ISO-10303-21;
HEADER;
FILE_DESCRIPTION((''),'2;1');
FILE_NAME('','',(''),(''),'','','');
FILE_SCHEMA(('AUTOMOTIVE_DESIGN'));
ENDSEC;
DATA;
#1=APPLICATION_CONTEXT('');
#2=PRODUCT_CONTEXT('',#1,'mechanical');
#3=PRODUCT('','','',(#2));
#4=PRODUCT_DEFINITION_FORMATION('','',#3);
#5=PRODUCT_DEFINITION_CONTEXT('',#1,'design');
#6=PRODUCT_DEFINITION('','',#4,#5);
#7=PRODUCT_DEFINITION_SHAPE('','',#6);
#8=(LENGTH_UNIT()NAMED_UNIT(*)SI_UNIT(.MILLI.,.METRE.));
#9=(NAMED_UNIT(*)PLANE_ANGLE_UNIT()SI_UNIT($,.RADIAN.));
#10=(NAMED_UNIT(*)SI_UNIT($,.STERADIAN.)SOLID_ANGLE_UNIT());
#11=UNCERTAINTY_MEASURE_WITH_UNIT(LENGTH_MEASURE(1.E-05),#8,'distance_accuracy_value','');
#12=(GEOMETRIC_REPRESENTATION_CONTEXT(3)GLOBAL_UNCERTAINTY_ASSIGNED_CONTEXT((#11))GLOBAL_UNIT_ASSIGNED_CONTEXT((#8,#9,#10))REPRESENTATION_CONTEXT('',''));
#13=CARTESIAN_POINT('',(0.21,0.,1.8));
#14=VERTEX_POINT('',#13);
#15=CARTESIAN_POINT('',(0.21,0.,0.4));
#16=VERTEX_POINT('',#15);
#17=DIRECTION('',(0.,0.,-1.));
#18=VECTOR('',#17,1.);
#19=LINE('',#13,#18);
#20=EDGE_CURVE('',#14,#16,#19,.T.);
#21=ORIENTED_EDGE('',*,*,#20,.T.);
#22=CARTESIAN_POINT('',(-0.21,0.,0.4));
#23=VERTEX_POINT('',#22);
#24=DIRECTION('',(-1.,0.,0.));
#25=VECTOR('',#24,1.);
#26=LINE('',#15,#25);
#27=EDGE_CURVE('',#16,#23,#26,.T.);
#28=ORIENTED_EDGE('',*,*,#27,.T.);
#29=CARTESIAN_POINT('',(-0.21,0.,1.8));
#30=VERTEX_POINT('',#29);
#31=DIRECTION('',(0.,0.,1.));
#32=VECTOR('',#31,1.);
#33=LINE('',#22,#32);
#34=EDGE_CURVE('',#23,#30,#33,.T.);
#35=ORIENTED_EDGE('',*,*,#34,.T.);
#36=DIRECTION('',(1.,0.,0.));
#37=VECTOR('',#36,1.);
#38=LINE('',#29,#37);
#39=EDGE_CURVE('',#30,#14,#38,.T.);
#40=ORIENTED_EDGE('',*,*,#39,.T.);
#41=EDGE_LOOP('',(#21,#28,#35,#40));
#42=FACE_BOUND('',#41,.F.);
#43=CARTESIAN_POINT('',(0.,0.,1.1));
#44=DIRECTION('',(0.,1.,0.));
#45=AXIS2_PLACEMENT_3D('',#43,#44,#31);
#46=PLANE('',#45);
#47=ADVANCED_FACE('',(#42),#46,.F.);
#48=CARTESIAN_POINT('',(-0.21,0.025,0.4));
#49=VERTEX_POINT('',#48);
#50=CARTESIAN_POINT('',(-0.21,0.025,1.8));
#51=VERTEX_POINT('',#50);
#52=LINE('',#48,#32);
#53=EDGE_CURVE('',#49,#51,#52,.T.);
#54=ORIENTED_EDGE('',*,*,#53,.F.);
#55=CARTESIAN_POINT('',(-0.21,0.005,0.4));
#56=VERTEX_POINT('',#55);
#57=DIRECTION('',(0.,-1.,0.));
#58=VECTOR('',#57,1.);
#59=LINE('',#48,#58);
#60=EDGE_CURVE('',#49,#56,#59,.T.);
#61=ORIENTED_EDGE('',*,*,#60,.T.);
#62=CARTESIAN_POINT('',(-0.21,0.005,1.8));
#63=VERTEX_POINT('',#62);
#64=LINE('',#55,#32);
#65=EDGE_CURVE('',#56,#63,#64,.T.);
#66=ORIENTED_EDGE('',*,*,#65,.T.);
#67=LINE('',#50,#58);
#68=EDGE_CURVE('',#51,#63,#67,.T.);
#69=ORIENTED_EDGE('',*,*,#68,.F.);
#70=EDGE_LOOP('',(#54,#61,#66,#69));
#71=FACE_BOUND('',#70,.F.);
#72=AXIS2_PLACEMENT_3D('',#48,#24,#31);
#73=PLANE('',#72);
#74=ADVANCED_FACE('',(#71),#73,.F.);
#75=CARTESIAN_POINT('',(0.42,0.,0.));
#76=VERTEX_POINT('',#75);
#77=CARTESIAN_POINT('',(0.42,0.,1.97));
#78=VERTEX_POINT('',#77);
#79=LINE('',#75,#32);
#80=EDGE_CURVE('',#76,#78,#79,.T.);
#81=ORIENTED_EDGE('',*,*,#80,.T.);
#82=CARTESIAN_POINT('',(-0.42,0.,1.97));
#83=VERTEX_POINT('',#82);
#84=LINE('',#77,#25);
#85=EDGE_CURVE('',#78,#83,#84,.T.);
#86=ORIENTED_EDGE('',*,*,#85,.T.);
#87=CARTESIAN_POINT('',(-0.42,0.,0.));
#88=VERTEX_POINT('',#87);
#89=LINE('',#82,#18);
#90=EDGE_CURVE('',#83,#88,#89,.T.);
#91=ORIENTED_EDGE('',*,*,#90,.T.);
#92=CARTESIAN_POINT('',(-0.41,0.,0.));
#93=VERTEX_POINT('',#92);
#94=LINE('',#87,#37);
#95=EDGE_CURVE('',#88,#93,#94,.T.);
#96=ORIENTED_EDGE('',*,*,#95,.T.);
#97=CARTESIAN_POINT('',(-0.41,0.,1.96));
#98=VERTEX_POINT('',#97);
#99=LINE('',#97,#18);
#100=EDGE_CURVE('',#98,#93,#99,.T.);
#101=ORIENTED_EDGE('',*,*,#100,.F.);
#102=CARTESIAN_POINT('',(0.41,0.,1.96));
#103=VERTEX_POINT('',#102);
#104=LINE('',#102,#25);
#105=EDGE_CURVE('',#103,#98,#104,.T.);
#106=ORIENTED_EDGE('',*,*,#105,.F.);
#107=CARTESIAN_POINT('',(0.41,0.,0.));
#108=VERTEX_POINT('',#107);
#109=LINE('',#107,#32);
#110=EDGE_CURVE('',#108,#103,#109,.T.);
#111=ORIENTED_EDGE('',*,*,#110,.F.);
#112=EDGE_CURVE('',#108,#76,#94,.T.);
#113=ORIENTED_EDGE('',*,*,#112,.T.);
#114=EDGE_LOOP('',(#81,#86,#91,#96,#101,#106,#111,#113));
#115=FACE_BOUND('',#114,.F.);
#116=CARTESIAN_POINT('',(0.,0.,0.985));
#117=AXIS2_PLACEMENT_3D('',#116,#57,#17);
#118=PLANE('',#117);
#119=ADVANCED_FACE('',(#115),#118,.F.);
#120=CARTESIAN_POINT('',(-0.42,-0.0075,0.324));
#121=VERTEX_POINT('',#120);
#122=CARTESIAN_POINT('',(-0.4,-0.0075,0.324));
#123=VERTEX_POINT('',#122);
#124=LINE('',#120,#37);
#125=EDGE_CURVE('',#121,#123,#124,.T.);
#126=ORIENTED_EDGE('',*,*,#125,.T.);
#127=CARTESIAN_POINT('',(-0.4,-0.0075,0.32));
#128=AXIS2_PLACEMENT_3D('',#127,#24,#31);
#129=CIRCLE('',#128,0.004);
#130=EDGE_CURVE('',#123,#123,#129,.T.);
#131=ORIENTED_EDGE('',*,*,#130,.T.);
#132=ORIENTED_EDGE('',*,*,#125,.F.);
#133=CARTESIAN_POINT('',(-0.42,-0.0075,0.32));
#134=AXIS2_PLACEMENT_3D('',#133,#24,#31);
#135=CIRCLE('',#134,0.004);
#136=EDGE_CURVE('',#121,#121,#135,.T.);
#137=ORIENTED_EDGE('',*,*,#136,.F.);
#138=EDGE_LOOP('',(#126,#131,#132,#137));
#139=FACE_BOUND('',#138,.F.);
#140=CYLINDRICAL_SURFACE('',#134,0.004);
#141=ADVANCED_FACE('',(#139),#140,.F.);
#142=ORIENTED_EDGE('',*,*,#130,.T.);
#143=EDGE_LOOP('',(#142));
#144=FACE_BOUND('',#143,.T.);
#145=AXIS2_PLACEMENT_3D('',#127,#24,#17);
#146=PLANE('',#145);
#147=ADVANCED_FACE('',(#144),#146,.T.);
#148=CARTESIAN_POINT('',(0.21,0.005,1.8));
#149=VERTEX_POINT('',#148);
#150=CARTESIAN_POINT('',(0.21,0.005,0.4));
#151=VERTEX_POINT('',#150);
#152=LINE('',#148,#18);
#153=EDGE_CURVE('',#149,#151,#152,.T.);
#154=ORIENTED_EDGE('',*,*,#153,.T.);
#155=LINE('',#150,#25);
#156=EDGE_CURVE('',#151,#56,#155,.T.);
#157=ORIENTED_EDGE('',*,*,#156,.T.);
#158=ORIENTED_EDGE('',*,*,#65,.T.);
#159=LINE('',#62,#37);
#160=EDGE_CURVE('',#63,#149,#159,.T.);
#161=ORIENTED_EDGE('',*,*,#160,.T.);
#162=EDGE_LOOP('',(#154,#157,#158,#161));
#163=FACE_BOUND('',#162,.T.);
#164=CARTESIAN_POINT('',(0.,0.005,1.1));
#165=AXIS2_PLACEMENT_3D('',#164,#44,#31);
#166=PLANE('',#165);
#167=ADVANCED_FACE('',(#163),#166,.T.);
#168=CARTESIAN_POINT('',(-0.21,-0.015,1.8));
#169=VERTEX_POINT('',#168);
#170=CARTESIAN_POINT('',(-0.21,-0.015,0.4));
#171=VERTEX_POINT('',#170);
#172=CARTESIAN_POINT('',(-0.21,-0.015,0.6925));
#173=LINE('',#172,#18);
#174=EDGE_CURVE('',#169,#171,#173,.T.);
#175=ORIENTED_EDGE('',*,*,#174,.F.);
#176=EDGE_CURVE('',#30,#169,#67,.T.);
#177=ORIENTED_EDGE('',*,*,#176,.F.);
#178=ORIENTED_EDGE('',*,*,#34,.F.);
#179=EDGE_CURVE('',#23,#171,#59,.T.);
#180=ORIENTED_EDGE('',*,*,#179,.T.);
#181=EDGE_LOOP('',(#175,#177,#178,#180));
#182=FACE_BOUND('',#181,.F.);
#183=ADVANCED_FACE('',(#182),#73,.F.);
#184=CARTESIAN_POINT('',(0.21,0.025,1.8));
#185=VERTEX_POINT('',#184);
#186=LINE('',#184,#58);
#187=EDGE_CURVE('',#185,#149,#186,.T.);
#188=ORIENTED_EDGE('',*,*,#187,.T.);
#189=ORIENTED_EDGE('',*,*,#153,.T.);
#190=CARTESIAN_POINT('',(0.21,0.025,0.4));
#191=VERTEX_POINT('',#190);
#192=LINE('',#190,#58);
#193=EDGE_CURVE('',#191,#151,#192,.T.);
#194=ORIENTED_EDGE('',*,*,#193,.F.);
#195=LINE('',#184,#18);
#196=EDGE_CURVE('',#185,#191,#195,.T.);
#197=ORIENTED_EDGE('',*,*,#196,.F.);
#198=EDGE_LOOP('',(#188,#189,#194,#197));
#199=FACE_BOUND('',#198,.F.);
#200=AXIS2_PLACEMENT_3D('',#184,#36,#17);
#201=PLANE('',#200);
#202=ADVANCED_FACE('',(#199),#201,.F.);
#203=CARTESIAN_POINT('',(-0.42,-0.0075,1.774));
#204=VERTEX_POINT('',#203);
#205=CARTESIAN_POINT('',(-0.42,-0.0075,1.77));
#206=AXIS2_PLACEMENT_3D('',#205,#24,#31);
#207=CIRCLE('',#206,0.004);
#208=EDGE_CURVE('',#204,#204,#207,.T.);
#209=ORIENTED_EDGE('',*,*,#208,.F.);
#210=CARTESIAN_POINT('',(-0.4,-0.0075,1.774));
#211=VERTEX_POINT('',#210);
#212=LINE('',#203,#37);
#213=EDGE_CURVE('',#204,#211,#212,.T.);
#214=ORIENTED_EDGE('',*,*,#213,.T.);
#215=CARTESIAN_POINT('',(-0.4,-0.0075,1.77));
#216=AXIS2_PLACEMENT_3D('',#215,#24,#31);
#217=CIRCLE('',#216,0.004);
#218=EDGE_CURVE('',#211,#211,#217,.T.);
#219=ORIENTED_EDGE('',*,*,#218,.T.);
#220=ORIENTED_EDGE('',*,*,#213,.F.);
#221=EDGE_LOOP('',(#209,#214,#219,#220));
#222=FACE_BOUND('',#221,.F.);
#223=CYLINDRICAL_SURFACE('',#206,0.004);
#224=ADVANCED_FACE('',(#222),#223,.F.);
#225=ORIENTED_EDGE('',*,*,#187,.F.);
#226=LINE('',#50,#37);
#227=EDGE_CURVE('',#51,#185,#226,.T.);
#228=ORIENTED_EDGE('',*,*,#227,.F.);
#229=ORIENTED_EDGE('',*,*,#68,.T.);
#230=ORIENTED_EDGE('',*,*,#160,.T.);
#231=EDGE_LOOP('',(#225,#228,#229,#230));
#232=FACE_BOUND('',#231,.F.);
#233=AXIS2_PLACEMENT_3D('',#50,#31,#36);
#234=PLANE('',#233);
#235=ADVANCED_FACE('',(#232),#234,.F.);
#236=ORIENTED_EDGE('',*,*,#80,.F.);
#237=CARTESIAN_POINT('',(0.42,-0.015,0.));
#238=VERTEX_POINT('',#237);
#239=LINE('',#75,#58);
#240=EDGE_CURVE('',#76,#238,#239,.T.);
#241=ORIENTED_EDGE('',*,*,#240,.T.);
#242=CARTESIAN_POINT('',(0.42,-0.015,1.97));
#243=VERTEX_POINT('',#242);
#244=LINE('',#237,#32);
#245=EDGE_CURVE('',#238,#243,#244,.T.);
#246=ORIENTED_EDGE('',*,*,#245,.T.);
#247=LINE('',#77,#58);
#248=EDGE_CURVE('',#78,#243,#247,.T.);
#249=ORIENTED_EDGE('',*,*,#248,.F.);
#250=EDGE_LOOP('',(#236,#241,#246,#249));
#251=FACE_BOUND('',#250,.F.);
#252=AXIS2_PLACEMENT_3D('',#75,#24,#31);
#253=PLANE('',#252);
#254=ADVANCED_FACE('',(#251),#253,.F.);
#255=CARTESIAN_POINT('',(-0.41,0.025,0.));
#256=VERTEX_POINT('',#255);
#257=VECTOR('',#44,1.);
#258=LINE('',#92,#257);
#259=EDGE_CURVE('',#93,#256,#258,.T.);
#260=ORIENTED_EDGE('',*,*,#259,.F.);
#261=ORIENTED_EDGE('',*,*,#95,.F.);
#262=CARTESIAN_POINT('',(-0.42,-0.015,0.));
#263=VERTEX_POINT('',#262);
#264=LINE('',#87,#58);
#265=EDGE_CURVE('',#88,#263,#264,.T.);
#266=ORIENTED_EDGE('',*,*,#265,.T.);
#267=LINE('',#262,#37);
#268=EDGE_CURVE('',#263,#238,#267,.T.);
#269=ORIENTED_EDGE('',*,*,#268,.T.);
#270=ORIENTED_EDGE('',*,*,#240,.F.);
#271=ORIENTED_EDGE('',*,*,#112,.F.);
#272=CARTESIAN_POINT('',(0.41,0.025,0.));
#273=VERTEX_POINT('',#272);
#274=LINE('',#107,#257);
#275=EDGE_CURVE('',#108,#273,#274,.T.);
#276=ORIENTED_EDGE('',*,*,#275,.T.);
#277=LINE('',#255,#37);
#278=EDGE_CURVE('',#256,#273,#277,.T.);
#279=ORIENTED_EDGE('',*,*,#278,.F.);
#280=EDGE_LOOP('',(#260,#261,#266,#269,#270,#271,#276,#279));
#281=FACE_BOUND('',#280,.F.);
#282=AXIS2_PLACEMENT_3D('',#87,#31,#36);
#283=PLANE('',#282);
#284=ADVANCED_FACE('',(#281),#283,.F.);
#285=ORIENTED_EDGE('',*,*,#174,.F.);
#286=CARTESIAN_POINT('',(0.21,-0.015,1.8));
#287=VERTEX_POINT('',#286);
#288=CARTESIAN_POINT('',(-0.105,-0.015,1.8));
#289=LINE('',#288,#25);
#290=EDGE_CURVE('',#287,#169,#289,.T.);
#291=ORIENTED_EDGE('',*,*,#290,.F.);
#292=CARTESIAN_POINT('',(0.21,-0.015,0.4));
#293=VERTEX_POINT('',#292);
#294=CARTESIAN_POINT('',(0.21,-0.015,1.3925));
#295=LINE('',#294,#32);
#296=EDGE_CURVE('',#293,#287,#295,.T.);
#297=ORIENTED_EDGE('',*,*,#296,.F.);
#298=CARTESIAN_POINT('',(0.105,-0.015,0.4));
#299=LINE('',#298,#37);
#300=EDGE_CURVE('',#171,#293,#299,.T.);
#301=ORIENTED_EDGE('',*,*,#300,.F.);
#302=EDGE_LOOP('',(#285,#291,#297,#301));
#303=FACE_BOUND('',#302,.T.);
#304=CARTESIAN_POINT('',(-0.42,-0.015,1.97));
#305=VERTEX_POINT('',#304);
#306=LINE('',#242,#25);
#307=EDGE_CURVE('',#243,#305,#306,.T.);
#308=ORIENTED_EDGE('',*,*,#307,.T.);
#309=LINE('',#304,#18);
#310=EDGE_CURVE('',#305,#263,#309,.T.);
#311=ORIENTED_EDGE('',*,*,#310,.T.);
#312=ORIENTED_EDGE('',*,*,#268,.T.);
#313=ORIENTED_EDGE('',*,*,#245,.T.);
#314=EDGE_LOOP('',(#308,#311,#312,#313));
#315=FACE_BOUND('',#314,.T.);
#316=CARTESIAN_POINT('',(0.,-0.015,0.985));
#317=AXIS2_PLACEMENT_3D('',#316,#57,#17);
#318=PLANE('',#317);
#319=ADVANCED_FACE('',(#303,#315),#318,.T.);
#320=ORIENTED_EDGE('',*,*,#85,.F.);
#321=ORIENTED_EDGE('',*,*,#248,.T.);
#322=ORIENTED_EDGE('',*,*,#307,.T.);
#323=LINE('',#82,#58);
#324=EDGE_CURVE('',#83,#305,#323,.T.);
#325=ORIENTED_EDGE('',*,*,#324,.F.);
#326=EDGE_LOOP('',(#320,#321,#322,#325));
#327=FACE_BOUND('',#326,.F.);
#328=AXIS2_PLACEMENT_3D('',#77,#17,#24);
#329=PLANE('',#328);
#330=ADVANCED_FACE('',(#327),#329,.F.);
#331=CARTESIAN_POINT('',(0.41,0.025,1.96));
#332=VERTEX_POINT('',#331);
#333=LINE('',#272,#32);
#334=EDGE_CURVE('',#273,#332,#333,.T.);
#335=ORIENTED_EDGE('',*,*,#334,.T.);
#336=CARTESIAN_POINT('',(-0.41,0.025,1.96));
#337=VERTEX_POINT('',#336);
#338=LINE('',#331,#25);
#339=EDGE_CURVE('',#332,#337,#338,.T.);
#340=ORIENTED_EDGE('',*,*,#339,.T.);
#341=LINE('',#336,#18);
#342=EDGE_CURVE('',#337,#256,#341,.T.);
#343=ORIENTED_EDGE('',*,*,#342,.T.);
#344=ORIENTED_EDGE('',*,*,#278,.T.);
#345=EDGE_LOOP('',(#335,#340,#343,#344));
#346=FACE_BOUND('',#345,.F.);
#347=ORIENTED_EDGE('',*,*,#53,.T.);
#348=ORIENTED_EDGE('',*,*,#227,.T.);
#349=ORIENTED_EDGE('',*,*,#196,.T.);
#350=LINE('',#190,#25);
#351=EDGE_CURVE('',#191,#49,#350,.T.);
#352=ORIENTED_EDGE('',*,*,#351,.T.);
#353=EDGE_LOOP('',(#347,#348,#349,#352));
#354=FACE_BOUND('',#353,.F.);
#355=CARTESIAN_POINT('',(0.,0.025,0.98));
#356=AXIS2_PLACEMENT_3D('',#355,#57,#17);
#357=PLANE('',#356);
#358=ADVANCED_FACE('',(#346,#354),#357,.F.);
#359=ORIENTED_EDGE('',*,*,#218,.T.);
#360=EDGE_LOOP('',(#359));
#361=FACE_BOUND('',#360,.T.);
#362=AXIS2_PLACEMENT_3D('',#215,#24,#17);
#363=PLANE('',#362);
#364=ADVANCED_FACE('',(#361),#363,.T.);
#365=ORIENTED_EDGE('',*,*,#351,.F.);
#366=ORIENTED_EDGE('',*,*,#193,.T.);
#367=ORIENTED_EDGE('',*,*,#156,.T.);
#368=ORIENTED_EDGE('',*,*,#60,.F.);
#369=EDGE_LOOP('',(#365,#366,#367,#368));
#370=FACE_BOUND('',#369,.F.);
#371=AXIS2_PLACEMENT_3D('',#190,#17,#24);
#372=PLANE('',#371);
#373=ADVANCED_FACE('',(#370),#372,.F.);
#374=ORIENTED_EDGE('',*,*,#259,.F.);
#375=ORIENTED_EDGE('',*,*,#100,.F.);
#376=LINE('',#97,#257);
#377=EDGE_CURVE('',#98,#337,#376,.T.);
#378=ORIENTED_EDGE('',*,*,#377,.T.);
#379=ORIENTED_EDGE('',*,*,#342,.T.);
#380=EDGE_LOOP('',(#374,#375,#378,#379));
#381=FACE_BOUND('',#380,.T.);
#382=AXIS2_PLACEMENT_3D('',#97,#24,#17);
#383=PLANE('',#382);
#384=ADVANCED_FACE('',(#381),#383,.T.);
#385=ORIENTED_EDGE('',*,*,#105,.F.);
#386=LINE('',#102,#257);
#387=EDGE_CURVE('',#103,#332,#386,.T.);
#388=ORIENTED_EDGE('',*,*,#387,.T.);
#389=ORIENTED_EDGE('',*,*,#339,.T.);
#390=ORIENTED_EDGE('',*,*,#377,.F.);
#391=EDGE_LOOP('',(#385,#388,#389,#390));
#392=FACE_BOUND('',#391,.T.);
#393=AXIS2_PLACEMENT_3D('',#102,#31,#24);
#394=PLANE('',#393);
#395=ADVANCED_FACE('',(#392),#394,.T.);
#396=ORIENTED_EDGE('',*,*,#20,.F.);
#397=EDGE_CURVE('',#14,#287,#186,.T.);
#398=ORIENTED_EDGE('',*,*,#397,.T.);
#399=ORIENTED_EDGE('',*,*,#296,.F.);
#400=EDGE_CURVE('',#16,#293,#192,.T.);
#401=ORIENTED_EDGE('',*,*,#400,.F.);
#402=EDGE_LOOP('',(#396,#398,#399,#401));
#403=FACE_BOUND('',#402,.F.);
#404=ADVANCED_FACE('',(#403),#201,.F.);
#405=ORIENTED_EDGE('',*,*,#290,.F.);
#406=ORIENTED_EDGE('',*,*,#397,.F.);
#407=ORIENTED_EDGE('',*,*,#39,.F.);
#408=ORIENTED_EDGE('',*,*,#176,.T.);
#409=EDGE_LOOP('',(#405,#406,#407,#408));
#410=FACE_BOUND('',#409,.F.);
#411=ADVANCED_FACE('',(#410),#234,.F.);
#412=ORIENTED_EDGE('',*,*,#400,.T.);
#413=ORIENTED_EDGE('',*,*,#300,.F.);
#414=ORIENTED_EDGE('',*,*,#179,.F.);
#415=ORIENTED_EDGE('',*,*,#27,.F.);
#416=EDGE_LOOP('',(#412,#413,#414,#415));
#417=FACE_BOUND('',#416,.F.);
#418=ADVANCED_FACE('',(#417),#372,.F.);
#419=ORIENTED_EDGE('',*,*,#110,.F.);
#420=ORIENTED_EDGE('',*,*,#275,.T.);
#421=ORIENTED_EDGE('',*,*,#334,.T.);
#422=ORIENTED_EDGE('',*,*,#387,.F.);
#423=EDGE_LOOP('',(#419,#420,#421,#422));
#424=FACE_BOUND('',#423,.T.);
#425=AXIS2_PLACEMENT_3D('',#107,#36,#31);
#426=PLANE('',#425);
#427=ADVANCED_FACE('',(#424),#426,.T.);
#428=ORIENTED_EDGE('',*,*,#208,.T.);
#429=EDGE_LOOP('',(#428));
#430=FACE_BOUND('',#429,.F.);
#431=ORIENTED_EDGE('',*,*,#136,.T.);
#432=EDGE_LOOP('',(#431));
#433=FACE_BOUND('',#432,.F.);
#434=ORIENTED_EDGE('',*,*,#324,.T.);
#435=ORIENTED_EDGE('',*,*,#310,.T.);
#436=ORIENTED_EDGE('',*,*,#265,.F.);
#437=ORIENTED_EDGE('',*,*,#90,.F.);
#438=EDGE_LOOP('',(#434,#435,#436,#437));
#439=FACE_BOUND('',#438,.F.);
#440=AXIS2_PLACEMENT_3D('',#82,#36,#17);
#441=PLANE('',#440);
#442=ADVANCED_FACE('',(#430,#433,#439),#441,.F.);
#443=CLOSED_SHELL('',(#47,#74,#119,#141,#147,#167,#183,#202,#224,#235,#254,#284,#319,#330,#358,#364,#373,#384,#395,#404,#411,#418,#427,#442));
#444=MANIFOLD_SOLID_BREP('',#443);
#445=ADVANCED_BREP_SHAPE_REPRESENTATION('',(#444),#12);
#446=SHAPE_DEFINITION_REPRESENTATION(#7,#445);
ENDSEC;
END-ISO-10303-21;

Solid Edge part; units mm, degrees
sketch "Sketch1" plane through (0, 0, 0) normal (0, -1, 0) x (1, 0, 0)
  line L0 (-0.41, 0) -> (0.41, 0)
  line L1 (0.41, 0) -> (0.41, 1.96)
  line L2 (0.41, 1.96) -> (-0.41, 1.96)
  line L3 (-0.41, 1.96) -> (-0.41, 0)
  dimension "D1" = 1.96
  dimension "D2" = 0.82
extrude "Protrusion1" add sketch "Sketch1" against normal blind 0.025
sketch "Sketch2" plane through (0, 0, 0.98) normal (0, -1, 0) x (1, 0, 0)
  line L0 (-0.42, -0.98) -> (0.42, -0.98)
  line L1 (0.42, -0.98) -> (0.42, 0.99)
  line L2 (0.42, 0.99) -> (-0.42, 0.99)
  line L3 (-0.42, 0.99) -> (-0.42, -0.98)
extrude "Ausprägung_2" add sketch "Sketch2" along normal blind 0.015
sketch "Sketch3" plane through (-0.42, -0.0075, 0.985) normal (-1, 0, 0) x (0, 0, 1)
  circle A0 centre (0.785, 0) radius 0.004
  circle A1 centre (-0.665, 0) radius 0.004
  dimension "D1" = 0.008
  dimension "D2" = 0.32
  dimension "D3" = 0.0075
  dimension "D4" = 1.45
extrude "Ausschnitt_1" cut sketch "Sketch3" against normal blind 0.02
sketch "Sketch4" plane through (0, 0.025, 0.98) normal (0, 1, 0) x (-1, 0, 0)
  line L0 (-0.21, -0.58) -> (0.21, -0.58)
  line L1 (0.21, -0.58) -> (0.21, 0.82)
  line L2 (0.21, 0.82) -> (-0.21, 0.82)
  line L3 (-0.21, 0.82) -> (-0.21, -0.58)
  dimension "D1" = 0.42
  dimension "D2" = 1.4
  dimension "D3" = 0.4
extrude "Cutout1" cut sketch "Sketch4" against normal through all
sketch "Sketch5" plane through (0, 0.005, 0.98) normal (0, 1, 0) x (-1, 0, 0)
  line L0 (0.21, 0.82) -> (-0.21, 0.82)
  line L1 (-0.21, 0.82) -> (-0.21, -0.58)
  line L2 (-0.21, -0.58) -> (0.21, -0.58)
  line L3 (0.21, -0.58) -> (0.21, 0.82)
extrude "Ausprägung_3" add sketch "Sketch5" against normal blind 0.005
